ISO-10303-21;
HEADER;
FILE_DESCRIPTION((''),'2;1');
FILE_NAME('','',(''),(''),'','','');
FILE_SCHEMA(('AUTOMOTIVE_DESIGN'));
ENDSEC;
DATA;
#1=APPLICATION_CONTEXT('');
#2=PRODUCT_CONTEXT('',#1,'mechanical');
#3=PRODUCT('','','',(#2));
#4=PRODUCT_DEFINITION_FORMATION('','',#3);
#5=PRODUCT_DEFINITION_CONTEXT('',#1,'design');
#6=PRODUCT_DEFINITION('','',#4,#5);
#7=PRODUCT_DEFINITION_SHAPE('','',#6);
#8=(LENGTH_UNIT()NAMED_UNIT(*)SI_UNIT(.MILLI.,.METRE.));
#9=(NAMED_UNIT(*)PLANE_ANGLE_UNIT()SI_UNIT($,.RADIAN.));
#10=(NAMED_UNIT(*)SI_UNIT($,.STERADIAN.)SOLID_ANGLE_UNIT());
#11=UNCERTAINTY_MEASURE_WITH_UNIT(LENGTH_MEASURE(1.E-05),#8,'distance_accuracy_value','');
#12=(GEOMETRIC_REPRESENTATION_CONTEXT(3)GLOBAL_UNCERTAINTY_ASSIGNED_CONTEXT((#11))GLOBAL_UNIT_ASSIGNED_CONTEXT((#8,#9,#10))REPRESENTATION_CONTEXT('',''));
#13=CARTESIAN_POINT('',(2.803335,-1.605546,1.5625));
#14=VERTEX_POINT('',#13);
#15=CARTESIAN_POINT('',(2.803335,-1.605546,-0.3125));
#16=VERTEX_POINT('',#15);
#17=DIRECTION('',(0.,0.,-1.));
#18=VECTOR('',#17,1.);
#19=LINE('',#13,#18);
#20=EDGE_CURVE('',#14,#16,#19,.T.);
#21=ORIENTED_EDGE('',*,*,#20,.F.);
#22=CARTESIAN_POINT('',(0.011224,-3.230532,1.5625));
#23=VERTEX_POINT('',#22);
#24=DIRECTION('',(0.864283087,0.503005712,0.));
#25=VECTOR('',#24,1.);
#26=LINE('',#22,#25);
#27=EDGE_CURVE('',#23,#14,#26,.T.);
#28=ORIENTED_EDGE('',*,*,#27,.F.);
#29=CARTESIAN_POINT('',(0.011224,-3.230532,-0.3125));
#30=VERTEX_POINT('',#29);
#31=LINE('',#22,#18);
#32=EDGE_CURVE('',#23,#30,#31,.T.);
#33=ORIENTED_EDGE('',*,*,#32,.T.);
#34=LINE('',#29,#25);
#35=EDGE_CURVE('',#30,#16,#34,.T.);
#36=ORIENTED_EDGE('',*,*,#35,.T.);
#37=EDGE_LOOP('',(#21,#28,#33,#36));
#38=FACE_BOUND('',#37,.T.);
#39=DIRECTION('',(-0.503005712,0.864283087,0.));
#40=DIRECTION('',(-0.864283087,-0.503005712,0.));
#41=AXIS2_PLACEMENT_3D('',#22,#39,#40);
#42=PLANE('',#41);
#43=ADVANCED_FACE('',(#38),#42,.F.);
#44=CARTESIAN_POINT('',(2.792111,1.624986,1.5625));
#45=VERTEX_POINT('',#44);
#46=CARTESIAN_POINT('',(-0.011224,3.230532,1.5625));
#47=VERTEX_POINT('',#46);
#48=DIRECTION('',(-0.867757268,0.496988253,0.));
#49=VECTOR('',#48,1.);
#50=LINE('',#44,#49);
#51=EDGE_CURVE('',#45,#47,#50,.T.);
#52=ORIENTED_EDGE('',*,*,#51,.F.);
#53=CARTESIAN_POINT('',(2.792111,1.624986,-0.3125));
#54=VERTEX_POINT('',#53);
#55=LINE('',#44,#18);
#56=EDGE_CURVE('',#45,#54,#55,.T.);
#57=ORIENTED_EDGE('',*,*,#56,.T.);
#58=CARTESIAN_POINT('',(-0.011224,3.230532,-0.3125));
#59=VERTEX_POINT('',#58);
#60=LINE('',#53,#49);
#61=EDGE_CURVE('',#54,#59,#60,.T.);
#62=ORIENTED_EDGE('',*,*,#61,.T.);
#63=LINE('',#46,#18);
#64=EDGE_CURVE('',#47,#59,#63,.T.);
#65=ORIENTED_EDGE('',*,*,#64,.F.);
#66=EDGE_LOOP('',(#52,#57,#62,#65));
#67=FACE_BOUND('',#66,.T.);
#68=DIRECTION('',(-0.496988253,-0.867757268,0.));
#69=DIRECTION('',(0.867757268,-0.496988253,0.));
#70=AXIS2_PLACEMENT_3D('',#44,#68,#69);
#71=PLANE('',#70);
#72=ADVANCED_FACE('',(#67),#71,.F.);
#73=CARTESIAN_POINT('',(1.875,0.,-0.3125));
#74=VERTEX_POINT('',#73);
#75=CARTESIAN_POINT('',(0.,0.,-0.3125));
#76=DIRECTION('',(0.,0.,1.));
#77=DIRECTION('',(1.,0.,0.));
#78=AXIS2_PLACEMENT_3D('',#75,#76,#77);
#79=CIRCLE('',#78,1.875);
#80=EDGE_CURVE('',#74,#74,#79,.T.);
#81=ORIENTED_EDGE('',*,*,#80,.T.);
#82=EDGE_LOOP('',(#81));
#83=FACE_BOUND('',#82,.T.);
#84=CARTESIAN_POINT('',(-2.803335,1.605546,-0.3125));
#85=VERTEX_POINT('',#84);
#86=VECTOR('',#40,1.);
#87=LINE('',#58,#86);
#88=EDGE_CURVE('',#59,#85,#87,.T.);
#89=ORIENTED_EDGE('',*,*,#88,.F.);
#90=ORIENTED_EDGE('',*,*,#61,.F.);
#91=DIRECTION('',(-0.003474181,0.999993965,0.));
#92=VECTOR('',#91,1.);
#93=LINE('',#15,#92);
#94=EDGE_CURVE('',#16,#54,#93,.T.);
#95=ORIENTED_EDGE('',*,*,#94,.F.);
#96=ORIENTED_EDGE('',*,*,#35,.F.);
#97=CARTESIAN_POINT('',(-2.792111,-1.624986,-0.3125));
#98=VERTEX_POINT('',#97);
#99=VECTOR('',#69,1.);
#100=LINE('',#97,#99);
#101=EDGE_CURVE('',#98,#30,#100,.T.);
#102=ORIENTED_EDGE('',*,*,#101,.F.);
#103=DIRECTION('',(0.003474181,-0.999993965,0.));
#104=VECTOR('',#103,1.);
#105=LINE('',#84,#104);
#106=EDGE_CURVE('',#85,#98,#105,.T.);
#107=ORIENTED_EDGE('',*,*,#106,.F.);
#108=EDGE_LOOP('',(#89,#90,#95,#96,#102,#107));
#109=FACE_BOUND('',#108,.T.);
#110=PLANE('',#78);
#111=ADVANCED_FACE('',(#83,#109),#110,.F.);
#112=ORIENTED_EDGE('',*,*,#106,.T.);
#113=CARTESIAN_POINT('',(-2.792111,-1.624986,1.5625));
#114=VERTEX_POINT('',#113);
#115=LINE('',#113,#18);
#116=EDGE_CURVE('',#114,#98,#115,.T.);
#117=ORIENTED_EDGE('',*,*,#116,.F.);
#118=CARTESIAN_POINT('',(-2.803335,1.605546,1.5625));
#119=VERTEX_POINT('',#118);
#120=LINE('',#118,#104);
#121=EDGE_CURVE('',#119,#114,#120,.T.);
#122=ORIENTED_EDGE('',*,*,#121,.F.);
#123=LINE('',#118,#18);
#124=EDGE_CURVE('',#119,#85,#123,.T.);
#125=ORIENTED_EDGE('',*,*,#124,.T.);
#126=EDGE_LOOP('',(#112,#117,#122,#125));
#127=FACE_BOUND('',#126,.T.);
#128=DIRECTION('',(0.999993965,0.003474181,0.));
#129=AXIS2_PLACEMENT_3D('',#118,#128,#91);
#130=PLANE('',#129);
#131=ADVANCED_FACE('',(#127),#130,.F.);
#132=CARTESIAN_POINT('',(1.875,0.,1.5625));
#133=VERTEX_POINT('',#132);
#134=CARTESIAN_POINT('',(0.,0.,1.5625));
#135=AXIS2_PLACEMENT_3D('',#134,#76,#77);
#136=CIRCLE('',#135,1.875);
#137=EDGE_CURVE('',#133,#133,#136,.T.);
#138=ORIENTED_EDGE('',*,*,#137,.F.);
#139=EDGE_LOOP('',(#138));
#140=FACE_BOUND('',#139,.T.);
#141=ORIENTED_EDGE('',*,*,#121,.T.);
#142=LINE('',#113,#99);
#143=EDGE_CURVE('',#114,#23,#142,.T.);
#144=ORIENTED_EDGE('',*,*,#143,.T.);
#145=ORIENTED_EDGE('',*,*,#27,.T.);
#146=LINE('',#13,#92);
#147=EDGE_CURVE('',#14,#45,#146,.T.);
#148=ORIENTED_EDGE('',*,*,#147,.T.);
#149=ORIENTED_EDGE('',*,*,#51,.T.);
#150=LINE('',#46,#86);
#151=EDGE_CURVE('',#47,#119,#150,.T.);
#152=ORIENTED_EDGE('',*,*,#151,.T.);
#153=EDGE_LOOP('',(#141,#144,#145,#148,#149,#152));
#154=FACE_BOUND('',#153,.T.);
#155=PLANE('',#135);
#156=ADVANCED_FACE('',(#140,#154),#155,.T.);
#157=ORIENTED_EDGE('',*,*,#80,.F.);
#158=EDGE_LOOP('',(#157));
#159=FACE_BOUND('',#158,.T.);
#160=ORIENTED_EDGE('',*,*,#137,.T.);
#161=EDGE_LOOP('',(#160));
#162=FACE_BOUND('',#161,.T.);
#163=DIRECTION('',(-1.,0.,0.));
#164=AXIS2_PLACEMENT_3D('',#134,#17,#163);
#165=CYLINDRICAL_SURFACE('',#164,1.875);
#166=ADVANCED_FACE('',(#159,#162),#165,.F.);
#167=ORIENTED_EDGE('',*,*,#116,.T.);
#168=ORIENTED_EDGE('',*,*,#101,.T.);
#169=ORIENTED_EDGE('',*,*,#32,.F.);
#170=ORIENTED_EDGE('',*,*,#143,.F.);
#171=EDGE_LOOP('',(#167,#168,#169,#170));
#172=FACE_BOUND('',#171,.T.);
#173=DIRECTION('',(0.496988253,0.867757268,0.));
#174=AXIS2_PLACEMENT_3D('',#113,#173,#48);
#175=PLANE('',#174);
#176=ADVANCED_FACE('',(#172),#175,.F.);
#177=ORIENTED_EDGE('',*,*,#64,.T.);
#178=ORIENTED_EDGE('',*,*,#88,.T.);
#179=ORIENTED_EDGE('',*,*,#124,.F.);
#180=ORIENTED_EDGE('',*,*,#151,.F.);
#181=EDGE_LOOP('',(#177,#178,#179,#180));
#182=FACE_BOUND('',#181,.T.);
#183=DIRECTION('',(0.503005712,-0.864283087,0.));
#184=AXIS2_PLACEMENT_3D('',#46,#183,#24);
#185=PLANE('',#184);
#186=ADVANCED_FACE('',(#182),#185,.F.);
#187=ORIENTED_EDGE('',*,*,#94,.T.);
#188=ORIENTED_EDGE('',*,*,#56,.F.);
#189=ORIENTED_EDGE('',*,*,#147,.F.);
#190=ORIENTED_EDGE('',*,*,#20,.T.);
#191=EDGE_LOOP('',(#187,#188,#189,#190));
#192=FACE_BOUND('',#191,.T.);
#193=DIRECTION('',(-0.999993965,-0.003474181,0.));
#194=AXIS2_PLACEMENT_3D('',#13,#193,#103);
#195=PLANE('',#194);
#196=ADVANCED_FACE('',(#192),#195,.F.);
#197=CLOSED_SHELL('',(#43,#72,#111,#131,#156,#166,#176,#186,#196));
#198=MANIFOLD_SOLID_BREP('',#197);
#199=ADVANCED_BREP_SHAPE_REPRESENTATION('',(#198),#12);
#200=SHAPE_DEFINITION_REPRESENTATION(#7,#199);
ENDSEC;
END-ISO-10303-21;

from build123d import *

# Parameters (mm, degrees)
SKETCH1_R           = 1.25
BOSS_EXTRUDE1_DEPTH = 1.25
SCALE1_SCALE        = 1.5


with BuildPart() as part:
    # Sketch1 → Boss-Extrude1 (new body)
    with BuildSketch(Plane.XY):
        Polygon((1.868889761, -1.070364136), (1.861407413, 1.083323942), (-0.007482348, 2.153688078), (-1.868889761, 1.070364136), (-1.861407413, -1.083323942), (0.007482348, -2.153688078), align=None)
        Circle(SKETCH1_R, mode=Mode.SUBTRACT)
    extrude(amount=BOSS_EXTRUDE1_DEPTH)


with BuildPart() as part_1:
    # Scale1: scaled about (0, 0, 0.625)
    add(part.part.scale(SCALE1_SCALE).moved(Location((0, 0, -0.3125))))


solid = part_1.part
